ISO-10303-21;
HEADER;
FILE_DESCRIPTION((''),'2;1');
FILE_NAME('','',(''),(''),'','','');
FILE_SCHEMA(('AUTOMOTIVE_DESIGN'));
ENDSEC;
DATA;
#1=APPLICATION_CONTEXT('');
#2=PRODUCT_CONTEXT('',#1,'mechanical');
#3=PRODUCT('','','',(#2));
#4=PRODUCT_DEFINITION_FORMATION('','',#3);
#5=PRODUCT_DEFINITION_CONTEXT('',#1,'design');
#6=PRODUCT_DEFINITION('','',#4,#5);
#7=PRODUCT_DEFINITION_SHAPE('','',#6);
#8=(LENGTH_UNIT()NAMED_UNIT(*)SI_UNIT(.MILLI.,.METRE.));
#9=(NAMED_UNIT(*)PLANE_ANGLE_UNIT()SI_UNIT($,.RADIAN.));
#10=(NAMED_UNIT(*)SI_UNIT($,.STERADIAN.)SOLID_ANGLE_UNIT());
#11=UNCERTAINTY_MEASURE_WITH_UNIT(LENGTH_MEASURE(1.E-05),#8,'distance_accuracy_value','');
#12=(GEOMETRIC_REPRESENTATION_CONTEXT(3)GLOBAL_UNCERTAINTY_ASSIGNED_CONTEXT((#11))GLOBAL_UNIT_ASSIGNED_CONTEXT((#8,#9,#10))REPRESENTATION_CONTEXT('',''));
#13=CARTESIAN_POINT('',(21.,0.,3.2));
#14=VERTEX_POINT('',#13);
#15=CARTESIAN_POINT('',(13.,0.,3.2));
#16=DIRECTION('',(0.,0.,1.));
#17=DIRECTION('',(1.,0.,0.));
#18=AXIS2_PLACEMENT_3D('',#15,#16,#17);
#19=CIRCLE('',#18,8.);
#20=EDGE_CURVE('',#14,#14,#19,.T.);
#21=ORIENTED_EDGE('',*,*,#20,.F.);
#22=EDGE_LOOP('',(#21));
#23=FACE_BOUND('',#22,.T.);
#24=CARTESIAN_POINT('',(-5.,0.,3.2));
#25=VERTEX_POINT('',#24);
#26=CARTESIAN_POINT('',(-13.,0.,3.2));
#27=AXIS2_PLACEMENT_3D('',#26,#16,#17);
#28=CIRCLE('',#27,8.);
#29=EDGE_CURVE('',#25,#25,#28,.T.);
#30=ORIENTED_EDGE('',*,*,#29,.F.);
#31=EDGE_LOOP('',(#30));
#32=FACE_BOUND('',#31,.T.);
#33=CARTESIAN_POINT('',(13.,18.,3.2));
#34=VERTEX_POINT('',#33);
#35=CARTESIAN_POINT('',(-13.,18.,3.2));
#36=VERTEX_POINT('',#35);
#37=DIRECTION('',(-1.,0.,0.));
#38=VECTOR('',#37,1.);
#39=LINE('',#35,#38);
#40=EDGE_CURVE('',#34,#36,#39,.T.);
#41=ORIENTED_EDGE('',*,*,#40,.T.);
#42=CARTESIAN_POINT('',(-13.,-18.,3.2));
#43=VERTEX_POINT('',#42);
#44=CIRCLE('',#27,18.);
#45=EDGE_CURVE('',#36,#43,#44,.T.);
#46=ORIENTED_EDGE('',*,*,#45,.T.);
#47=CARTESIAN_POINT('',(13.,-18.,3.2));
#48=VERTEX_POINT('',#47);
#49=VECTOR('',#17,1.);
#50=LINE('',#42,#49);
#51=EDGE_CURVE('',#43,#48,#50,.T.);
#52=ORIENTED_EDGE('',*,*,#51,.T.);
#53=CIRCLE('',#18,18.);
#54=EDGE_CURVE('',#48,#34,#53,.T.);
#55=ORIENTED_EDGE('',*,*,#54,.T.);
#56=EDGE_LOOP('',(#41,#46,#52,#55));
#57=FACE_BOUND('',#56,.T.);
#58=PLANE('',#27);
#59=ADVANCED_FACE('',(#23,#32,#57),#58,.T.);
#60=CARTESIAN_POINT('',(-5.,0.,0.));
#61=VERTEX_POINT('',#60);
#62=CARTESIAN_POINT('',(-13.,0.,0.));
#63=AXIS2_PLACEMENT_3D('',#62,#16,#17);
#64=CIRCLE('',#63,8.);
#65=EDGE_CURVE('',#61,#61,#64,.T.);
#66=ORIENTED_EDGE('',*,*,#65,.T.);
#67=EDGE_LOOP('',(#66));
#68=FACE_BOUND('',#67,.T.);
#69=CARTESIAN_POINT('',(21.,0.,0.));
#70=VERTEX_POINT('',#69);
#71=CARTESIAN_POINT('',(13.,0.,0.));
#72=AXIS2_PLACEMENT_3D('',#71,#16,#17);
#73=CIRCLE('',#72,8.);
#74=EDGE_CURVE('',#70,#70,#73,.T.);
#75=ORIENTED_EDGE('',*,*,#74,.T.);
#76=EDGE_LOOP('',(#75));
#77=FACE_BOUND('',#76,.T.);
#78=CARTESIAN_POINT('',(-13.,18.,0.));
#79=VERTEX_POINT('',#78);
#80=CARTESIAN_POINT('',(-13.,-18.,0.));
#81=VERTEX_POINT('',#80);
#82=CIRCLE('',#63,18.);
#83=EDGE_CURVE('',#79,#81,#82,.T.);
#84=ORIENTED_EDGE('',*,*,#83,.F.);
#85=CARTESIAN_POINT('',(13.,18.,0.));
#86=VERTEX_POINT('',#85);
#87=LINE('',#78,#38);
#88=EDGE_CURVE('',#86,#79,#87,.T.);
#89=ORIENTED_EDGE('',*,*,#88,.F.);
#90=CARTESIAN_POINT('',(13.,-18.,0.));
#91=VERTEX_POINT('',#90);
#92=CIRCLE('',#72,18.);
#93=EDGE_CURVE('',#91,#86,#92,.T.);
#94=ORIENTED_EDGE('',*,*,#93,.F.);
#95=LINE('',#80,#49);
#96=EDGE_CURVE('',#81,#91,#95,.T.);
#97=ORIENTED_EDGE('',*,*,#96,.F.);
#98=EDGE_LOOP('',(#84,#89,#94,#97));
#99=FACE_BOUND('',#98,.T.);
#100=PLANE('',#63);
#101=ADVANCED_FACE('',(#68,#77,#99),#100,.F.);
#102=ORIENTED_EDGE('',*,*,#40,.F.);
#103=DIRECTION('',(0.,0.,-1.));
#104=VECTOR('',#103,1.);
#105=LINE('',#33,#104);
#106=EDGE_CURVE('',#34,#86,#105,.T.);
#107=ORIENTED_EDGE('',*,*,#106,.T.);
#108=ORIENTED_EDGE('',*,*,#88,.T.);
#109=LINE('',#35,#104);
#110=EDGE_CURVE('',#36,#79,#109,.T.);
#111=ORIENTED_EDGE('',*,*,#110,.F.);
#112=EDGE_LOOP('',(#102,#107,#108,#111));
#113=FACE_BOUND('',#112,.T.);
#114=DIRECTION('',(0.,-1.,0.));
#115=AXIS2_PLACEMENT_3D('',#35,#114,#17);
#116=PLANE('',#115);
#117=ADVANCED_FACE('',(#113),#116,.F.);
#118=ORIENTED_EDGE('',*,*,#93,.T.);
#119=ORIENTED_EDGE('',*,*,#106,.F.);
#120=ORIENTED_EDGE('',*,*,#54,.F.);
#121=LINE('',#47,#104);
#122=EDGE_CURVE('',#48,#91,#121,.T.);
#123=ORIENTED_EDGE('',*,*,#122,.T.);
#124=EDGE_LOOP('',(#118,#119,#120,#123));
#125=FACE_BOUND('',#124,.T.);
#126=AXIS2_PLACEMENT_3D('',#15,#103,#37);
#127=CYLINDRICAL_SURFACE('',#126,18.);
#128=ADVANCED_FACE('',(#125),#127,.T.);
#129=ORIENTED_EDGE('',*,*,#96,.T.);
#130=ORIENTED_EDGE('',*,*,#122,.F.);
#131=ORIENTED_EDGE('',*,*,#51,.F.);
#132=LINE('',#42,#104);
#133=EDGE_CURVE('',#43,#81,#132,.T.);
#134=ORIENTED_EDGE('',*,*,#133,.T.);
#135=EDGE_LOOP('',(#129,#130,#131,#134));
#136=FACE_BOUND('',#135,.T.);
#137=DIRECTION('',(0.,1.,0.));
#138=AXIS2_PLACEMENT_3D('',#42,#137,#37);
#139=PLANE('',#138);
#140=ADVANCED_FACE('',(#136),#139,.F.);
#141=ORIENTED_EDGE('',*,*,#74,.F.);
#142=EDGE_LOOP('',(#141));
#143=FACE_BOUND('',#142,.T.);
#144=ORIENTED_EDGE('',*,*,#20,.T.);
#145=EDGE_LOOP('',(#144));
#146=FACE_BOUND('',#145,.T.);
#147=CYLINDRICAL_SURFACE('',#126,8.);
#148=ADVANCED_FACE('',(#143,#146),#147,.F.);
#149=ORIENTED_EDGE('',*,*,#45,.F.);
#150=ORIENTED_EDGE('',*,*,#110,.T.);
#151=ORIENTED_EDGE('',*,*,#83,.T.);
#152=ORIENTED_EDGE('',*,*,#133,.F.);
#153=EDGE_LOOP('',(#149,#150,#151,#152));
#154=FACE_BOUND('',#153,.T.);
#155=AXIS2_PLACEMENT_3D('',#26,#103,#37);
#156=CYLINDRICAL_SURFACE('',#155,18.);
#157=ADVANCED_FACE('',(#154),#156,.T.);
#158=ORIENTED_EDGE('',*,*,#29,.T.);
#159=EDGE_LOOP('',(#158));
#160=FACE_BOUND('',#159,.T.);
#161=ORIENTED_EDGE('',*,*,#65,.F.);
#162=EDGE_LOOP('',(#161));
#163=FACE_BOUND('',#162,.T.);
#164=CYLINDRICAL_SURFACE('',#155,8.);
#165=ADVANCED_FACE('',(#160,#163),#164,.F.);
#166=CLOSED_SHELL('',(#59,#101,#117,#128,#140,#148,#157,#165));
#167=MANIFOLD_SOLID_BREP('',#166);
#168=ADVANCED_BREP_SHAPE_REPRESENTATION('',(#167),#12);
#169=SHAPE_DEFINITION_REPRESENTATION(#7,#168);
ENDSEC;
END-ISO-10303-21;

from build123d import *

# Parameters (mm, degrees)
SKETCH1_R           = 8
BOSS_EXTRUDE1_DEPTH = 3.2


with BuildPart() as part:
    # Sketch1 → Boss-Extrude1 (new body)
    with BuildSketch(Plane.XY):
        with BuildLine():
            Line((-13, 18), (13, 18))
            ThreePointArc((13, 18), (31, 0), (13, -18))
            Line((13, -18), (-13, -18))
            ThreePointArc((-13, -18), (-31, 0), (-13, 18))
        make_face()
        with Locations((-13, 0)):
            Circle(SKETCH1_R, mode=Mode.SUBTRACT)
        with Locations((13, 0)):
            Circle(SKETCH1_R, mode=Mode.SUBTRACT)
    extrude(amount=BOSS_EXTRUDE1_DEPTH)


solid = part.part
